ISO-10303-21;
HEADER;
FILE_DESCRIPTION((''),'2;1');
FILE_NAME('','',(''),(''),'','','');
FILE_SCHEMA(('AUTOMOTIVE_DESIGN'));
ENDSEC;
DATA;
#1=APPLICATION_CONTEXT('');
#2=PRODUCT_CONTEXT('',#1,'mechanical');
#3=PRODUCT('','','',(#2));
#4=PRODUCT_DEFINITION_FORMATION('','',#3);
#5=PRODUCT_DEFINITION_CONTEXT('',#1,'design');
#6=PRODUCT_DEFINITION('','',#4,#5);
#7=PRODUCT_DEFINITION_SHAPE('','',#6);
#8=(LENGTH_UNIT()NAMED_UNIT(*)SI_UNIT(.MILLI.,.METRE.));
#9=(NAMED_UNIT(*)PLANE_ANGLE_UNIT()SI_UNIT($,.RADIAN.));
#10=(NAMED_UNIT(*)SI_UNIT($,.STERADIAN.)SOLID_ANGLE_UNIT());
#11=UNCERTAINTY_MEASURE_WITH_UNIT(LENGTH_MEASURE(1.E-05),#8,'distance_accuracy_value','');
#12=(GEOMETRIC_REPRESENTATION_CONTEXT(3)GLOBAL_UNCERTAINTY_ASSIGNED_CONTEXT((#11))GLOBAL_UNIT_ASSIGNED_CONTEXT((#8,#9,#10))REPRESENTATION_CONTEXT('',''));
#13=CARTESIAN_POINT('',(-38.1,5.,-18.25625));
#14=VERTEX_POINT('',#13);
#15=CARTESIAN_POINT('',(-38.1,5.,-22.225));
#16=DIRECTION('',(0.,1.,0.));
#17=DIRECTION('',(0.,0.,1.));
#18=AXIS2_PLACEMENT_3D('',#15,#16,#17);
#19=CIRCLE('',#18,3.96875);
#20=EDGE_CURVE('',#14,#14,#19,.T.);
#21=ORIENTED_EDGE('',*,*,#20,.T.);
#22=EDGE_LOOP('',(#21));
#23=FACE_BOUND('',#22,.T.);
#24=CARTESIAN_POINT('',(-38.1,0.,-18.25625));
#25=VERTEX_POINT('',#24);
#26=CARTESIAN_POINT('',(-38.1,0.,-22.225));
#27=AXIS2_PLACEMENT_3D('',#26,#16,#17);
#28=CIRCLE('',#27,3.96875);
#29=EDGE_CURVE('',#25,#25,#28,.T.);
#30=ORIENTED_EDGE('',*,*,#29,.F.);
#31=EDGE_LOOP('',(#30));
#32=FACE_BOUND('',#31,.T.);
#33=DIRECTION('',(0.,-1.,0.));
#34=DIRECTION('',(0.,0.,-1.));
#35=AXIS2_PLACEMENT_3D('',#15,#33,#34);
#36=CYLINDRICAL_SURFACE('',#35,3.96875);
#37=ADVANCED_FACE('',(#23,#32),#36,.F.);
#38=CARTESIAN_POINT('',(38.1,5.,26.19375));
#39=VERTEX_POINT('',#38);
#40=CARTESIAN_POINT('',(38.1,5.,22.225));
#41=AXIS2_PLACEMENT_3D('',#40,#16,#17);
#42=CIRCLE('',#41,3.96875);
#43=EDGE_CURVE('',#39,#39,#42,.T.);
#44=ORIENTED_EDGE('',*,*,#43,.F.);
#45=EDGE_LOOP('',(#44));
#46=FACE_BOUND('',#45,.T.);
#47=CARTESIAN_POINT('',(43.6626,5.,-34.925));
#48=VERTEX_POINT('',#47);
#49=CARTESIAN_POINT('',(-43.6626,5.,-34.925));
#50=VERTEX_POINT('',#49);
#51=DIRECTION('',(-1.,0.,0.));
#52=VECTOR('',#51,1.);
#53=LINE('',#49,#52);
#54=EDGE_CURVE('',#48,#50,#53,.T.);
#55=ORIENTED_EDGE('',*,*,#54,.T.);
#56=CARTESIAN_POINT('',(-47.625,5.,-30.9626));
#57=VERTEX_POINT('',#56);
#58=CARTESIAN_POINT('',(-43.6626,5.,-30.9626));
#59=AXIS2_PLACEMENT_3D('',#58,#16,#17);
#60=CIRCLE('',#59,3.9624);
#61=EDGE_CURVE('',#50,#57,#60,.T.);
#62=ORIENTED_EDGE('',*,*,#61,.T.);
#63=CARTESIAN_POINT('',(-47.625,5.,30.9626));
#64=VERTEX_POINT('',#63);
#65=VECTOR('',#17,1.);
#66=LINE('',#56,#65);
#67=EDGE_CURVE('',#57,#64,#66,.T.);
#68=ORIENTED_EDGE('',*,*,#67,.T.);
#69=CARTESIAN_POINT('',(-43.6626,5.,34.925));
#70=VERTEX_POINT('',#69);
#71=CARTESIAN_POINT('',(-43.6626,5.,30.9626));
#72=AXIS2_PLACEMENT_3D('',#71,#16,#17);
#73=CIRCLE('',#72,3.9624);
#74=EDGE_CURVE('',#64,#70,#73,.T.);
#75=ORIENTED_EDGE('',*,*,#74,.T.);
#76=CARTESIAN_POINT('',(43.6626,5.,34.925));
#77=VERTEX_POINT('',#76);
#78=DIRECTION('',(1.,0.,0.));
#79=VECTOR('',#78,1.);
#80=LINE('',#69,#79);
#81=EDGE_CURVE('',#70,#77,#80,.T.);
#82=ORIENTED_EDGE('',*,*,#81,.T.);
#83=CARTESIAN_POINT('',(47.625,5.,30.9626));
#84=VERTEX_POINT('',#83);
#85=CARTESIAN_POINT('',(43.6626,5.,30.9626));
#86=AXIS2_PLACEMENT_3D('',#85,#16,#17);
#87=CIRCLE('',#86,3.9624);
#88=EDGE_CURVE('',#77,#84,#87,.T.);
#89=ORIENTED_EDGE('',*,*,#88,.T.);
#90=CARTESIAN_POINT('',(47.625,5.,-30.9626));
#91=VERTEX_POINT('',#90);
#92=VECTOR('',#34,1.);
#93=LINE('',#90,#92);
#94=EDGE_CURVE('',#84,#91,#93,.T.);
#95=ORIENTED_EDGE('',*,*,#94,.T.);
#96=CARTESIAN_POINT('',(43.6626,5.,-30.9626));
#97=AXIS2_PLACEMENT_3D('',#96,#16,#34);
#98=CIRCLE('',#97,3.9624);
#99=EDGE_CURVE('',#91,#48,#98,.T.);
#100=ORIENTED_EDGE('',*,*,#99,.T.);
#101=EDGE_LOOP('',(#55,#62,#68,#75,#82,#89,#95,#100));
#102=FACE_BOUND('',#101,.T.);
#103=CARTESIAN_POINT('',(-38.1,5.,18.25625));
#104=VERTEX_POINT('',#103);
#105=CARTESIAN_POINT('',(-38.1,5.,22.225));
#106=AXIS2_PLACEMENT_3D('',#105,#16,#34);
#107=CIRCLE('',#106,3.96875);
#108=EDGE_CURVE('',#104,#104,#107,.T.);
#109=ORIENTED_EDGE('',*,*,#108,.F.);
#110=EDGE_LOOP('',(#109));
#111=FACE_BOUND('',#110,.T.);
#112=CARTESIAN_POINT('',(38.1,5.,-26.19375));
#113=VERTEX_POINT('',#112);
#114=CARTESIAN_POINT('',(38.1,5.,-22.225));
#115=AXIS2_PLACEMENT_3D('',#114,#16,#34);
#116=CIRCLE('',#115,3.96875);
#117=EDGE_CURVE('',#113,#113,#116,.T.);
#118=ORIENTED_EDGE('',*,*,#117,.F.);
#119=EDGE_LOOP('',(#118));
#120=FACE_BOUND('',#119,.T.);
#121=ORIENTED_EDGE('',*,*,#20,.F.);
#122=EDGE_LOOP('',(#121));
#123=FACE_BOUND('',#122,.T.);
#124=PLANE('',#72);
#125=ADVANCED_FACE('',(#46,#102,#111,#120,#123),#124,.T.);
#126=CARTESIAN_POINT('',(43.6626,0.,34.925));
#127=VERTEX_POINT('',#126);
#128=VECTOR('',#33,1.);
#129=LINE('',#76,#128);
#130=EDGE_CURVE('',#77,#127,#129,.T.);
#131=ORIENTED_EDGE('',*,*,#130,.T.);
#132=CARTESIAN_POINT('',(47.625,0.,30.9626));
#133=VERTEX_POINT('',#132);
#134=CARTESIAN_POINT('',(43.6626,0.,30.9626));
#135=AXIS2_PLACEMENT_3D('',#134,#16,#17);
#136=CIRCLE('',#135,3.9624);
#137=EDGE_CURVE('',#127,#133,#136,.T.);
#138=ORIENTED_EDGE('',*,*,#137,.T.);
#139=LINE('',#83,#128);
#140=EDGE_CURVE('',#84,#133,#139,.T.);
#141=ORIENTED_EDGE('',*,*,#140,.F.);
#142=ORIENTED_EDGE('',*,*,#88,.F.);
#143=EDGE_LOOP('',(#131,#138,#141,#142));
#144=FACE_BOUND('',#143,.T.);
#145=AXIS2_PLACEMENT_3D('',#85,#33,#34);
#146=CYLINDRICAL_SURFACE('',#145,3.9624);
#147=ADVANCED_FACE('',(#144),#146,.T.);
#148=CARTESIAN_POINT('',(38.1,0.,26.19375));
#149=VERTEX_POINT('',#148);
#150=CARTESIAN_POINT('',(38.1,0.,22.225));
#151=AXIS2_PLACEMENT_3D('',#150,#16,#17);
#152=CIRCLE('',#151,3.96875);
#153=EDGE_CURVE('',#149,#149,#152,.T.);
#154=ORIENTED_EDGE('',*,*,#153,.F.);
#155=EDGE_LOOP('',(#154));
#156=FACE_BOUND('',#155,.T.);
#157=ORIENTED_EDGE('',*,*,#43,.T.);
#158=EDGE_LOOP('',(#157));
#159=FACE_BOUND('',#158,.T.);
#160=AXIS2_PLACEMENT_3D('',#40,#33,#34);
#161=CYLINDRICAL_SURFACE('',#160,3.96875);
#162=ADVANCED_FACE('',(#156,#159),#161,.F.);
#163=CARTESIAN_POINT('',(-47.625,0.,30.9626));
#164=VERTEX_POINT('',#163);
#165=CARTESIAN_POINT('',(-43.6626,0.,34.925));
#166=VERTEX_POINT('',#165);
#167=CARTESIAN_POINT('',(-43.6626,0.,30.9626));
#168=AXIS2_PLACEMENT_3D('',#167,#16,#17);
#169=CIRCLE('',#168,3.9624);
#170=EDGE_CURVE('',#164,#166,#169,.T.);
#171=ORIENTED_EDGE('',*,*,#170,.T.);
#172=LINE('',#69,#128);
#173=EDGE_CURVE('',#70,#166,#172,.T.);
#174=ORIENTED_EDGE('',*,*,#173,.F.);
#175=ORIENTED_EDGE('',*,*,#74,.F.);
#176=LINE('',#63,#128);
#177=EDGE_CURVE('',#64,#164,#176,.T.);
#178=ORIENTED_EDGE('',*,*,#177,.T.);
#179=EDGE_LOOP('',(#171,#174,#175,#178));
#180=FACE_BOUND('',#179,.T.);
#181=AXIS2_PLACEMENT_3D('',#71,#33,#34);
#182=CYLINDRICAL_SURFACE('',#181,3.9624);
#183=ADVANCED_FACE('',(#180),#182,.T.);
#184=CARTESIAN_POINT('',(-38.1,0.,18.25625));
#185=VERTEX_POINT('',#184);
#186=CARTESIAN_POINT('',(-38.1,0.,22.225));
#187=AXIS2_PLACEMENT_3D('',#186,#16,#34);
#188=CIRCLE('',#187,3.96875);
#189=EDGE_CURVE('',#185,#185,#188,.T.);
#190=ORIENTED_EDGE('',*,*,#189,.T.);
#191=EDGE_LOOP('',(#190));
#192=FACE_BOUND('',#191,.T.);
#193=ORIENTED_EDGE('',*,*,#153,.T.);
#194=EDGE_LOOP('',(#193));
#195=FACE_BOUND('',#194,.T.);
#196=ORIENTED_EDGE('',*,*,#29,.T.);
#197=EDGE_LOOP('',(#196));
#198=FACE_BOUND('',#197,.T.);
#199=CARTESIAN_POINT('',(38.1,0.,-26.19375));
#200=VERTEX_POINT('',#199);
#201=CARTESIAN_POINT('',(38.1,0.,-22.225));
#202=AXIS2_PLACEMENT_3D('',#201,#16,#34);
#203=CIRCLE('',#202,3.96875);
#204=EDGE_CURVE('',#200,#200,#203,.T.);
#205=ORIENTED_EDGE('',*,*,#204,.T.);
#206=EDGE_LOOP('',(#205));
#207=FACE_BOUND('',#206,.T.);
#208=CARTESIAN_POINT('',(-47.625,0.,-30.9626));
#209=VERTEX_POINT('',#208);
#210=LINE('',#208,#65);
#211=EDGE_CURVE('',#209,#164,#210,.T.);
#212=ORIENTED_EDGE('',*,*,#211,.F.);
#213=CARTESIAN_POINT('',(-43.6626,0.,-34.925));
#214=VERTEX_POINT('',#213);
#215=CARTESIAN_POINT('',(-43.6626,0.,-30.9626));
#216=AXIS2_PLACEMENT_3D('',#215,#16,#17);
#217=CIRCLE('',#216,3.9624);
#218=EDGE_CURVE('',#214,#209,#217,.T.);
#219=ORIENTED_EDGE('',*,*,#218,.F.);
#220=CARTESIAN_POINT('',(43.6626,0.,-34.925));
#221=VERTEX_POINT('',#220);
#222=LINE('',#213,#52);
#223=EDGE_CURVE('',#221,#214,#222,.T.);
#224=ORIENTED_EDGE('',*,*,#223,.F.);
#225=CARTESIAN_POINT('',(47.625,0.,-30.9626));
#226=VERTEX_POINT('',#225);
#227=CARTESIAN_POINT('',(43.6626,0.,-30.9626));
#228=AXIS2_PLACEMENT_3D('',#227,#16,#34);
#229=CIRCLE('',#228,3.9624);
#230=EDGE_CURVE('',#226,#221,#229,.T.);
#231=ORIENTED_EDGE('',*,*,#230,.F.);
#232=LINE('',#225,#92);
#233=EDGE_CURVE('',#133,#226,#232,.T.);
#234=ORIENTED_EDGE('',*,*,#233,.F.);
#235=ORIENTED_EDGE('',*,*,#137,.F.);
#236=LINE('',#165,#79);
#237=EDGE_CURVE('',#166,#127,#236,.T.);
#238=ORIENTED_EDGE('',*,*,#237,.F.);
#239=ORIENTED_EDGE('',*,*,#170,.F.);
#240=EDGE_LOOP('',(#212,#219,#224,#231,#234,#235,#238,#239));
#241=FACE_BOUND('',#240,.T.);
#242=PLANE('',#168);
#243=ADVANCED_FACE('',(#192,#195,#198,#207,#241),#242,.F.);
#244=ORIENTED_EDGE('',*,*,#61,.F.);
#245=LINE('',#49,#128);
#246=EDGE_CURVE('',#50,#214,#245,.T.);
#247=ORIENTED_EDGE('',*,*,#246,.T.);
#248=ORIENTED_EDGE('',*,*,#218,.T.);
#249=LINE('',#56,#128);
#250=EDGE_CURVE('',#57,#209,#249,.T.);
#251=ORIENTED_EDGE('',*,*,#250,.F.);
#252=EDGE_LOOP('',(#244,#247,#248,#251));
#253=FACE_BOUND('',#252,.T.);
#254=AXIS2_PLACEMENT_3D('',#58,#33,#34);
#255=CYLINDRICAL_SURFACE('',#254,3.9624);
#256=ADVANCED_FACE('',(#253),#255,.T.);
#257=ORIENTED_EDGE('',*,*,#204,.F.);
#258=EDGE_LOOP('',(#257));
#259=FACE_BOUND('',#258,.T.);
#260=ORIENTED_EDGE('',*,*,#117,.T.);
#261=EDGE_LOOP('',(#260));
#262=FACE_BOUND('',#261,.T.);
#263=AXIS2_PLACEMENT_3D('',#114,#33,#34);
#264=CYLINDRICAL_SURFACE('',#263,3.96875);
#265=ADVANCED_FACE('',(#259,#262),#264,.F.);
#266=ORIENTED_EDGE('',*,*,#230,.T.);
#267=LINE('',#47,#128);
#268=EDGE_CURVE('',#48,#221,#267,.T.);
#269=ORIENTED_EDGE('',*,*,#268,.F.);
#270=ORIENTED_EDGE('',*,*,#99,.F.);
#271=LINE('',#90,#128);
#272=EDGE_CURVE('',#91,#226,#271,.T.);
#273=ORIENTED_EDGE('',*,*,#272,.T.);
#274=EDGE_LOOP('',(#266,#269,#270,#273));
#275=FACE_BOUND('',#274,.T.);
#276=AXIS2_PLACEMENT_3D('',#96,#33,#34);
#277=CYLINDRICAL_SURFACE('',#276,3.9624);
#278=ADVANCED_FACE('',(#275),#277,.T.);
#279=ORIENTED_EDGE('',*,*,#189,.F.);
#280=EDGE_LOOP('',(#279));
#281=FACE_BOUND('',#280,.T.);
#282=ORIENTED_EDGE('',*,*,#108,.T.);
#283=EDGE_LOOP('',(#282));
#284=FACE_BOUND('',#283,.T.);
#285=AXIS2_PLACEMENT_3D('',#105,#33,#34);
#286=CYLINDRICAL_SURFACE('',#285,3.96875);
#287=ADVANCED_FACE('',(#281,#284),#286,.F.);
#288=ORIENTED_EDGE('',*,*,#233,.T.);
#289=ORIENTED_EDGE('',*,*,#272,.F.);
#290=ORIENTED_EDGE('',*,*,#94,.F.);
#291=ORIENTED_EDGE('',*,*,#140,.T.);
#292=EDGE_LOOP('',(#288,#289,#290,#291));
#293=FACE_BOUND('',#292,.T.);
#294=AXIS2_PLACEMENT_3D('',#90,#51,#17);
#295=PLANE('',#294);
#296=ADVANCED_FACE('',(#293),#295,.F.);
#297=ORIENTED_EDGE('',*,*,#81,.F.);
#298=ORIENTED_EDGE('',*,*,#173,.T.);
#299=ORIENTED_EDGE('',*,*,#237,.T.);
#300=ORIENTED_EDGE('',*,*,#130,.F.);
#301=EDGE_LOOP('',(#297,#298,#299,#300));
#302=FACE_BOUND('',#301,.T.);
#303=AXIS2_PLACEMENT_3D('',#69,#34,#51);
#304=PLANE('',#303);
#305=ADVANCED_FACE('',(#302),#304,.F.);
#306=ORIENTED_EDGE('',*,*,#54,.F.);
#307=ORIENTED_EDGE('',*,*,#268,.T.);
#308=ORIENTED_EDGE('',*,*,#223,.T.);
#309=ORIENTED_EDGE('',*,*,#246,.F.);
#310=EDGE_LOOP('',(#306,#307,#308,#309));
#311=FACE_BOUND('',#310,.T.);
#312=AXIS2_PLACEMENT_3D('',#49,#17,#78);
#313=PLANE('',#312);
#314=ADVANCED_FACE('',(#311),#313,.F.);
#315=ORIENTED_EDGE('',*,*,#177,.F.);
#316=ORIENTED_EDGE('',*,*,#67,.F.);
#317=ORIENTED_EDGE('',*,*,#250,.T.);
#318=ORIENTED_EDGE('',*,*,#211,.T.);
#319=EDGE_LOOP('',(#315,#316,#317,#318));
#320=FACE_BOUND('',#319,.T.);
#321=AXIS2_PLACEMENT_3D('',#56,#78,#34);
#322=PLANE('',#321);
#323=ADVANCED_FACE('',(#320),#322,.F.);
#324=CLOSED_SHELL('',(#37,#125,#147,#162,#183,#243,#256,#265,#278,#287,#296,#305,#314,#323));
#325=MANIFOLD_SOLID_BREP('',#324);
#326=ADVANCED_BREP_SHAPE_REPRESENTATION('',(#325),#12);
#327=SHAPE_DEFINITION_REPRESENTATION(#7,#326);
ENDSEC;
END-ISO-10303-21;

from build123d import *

# Parameters (mm, degrees)
SKETCH1_R           = 3.96875
BOSS_EXTRUDE1_DEPTH = 5


with BuildPart() as part:
    # Sketch1 → Boss-Extrude1 (new body)
    with BuildSketch(Plane(origin=(0, 0, 0), x_dir=(1, 0, 0), z_dir=(0, 1, 0))):
        with BuildLine():
            Line((-43.6626, 34.925), (43.6626, 34.925))
            ThreePointArc((43.6626, 34.925), (46.46443991, 33.76443991), (47.625, 30.9626))
            Line((47.625, 30.9626), (47.625, -30.9626))
            ThreePointArc((47.625, -30.9626), (46.46443991, -33.76443991), (43.6626, -34.925))
            Line((43.6626, -34.925), (-43.6626, -34.925))
            ThreePointArc((-43.6626, -34.925), (-46.46443991, -33.76443991), (-47.625, -30.9626))
            Line((-47.625, -30.9626), (-47.625, 30.9626))
            ThreePointArc((-47.625, 30.9626), (-46.46443991, 33.76443991), (-43.6626, 34.925))
        make_face()
        with Locations((-38.1, 22.225)):
            Circle(SKETCH1_R, mode=Mode.SUBTRACT)
        with Locations((-38.1, -22.225)):
            Circle(SKETCH1_R, mode=Mode.SUBTRACT)
        with Locations((38.1, -22.225)):
            Circle(SKETCH1_R, mode=Mode.SUBTRACT)
        with Locations((38.1, 22.225)):
            Circle(SKETCH1_R, mode=Mode.SUBTRACT)
    extrude(amount=BOSS_EXTRUDE1_DEPTH)


solid = part.part
